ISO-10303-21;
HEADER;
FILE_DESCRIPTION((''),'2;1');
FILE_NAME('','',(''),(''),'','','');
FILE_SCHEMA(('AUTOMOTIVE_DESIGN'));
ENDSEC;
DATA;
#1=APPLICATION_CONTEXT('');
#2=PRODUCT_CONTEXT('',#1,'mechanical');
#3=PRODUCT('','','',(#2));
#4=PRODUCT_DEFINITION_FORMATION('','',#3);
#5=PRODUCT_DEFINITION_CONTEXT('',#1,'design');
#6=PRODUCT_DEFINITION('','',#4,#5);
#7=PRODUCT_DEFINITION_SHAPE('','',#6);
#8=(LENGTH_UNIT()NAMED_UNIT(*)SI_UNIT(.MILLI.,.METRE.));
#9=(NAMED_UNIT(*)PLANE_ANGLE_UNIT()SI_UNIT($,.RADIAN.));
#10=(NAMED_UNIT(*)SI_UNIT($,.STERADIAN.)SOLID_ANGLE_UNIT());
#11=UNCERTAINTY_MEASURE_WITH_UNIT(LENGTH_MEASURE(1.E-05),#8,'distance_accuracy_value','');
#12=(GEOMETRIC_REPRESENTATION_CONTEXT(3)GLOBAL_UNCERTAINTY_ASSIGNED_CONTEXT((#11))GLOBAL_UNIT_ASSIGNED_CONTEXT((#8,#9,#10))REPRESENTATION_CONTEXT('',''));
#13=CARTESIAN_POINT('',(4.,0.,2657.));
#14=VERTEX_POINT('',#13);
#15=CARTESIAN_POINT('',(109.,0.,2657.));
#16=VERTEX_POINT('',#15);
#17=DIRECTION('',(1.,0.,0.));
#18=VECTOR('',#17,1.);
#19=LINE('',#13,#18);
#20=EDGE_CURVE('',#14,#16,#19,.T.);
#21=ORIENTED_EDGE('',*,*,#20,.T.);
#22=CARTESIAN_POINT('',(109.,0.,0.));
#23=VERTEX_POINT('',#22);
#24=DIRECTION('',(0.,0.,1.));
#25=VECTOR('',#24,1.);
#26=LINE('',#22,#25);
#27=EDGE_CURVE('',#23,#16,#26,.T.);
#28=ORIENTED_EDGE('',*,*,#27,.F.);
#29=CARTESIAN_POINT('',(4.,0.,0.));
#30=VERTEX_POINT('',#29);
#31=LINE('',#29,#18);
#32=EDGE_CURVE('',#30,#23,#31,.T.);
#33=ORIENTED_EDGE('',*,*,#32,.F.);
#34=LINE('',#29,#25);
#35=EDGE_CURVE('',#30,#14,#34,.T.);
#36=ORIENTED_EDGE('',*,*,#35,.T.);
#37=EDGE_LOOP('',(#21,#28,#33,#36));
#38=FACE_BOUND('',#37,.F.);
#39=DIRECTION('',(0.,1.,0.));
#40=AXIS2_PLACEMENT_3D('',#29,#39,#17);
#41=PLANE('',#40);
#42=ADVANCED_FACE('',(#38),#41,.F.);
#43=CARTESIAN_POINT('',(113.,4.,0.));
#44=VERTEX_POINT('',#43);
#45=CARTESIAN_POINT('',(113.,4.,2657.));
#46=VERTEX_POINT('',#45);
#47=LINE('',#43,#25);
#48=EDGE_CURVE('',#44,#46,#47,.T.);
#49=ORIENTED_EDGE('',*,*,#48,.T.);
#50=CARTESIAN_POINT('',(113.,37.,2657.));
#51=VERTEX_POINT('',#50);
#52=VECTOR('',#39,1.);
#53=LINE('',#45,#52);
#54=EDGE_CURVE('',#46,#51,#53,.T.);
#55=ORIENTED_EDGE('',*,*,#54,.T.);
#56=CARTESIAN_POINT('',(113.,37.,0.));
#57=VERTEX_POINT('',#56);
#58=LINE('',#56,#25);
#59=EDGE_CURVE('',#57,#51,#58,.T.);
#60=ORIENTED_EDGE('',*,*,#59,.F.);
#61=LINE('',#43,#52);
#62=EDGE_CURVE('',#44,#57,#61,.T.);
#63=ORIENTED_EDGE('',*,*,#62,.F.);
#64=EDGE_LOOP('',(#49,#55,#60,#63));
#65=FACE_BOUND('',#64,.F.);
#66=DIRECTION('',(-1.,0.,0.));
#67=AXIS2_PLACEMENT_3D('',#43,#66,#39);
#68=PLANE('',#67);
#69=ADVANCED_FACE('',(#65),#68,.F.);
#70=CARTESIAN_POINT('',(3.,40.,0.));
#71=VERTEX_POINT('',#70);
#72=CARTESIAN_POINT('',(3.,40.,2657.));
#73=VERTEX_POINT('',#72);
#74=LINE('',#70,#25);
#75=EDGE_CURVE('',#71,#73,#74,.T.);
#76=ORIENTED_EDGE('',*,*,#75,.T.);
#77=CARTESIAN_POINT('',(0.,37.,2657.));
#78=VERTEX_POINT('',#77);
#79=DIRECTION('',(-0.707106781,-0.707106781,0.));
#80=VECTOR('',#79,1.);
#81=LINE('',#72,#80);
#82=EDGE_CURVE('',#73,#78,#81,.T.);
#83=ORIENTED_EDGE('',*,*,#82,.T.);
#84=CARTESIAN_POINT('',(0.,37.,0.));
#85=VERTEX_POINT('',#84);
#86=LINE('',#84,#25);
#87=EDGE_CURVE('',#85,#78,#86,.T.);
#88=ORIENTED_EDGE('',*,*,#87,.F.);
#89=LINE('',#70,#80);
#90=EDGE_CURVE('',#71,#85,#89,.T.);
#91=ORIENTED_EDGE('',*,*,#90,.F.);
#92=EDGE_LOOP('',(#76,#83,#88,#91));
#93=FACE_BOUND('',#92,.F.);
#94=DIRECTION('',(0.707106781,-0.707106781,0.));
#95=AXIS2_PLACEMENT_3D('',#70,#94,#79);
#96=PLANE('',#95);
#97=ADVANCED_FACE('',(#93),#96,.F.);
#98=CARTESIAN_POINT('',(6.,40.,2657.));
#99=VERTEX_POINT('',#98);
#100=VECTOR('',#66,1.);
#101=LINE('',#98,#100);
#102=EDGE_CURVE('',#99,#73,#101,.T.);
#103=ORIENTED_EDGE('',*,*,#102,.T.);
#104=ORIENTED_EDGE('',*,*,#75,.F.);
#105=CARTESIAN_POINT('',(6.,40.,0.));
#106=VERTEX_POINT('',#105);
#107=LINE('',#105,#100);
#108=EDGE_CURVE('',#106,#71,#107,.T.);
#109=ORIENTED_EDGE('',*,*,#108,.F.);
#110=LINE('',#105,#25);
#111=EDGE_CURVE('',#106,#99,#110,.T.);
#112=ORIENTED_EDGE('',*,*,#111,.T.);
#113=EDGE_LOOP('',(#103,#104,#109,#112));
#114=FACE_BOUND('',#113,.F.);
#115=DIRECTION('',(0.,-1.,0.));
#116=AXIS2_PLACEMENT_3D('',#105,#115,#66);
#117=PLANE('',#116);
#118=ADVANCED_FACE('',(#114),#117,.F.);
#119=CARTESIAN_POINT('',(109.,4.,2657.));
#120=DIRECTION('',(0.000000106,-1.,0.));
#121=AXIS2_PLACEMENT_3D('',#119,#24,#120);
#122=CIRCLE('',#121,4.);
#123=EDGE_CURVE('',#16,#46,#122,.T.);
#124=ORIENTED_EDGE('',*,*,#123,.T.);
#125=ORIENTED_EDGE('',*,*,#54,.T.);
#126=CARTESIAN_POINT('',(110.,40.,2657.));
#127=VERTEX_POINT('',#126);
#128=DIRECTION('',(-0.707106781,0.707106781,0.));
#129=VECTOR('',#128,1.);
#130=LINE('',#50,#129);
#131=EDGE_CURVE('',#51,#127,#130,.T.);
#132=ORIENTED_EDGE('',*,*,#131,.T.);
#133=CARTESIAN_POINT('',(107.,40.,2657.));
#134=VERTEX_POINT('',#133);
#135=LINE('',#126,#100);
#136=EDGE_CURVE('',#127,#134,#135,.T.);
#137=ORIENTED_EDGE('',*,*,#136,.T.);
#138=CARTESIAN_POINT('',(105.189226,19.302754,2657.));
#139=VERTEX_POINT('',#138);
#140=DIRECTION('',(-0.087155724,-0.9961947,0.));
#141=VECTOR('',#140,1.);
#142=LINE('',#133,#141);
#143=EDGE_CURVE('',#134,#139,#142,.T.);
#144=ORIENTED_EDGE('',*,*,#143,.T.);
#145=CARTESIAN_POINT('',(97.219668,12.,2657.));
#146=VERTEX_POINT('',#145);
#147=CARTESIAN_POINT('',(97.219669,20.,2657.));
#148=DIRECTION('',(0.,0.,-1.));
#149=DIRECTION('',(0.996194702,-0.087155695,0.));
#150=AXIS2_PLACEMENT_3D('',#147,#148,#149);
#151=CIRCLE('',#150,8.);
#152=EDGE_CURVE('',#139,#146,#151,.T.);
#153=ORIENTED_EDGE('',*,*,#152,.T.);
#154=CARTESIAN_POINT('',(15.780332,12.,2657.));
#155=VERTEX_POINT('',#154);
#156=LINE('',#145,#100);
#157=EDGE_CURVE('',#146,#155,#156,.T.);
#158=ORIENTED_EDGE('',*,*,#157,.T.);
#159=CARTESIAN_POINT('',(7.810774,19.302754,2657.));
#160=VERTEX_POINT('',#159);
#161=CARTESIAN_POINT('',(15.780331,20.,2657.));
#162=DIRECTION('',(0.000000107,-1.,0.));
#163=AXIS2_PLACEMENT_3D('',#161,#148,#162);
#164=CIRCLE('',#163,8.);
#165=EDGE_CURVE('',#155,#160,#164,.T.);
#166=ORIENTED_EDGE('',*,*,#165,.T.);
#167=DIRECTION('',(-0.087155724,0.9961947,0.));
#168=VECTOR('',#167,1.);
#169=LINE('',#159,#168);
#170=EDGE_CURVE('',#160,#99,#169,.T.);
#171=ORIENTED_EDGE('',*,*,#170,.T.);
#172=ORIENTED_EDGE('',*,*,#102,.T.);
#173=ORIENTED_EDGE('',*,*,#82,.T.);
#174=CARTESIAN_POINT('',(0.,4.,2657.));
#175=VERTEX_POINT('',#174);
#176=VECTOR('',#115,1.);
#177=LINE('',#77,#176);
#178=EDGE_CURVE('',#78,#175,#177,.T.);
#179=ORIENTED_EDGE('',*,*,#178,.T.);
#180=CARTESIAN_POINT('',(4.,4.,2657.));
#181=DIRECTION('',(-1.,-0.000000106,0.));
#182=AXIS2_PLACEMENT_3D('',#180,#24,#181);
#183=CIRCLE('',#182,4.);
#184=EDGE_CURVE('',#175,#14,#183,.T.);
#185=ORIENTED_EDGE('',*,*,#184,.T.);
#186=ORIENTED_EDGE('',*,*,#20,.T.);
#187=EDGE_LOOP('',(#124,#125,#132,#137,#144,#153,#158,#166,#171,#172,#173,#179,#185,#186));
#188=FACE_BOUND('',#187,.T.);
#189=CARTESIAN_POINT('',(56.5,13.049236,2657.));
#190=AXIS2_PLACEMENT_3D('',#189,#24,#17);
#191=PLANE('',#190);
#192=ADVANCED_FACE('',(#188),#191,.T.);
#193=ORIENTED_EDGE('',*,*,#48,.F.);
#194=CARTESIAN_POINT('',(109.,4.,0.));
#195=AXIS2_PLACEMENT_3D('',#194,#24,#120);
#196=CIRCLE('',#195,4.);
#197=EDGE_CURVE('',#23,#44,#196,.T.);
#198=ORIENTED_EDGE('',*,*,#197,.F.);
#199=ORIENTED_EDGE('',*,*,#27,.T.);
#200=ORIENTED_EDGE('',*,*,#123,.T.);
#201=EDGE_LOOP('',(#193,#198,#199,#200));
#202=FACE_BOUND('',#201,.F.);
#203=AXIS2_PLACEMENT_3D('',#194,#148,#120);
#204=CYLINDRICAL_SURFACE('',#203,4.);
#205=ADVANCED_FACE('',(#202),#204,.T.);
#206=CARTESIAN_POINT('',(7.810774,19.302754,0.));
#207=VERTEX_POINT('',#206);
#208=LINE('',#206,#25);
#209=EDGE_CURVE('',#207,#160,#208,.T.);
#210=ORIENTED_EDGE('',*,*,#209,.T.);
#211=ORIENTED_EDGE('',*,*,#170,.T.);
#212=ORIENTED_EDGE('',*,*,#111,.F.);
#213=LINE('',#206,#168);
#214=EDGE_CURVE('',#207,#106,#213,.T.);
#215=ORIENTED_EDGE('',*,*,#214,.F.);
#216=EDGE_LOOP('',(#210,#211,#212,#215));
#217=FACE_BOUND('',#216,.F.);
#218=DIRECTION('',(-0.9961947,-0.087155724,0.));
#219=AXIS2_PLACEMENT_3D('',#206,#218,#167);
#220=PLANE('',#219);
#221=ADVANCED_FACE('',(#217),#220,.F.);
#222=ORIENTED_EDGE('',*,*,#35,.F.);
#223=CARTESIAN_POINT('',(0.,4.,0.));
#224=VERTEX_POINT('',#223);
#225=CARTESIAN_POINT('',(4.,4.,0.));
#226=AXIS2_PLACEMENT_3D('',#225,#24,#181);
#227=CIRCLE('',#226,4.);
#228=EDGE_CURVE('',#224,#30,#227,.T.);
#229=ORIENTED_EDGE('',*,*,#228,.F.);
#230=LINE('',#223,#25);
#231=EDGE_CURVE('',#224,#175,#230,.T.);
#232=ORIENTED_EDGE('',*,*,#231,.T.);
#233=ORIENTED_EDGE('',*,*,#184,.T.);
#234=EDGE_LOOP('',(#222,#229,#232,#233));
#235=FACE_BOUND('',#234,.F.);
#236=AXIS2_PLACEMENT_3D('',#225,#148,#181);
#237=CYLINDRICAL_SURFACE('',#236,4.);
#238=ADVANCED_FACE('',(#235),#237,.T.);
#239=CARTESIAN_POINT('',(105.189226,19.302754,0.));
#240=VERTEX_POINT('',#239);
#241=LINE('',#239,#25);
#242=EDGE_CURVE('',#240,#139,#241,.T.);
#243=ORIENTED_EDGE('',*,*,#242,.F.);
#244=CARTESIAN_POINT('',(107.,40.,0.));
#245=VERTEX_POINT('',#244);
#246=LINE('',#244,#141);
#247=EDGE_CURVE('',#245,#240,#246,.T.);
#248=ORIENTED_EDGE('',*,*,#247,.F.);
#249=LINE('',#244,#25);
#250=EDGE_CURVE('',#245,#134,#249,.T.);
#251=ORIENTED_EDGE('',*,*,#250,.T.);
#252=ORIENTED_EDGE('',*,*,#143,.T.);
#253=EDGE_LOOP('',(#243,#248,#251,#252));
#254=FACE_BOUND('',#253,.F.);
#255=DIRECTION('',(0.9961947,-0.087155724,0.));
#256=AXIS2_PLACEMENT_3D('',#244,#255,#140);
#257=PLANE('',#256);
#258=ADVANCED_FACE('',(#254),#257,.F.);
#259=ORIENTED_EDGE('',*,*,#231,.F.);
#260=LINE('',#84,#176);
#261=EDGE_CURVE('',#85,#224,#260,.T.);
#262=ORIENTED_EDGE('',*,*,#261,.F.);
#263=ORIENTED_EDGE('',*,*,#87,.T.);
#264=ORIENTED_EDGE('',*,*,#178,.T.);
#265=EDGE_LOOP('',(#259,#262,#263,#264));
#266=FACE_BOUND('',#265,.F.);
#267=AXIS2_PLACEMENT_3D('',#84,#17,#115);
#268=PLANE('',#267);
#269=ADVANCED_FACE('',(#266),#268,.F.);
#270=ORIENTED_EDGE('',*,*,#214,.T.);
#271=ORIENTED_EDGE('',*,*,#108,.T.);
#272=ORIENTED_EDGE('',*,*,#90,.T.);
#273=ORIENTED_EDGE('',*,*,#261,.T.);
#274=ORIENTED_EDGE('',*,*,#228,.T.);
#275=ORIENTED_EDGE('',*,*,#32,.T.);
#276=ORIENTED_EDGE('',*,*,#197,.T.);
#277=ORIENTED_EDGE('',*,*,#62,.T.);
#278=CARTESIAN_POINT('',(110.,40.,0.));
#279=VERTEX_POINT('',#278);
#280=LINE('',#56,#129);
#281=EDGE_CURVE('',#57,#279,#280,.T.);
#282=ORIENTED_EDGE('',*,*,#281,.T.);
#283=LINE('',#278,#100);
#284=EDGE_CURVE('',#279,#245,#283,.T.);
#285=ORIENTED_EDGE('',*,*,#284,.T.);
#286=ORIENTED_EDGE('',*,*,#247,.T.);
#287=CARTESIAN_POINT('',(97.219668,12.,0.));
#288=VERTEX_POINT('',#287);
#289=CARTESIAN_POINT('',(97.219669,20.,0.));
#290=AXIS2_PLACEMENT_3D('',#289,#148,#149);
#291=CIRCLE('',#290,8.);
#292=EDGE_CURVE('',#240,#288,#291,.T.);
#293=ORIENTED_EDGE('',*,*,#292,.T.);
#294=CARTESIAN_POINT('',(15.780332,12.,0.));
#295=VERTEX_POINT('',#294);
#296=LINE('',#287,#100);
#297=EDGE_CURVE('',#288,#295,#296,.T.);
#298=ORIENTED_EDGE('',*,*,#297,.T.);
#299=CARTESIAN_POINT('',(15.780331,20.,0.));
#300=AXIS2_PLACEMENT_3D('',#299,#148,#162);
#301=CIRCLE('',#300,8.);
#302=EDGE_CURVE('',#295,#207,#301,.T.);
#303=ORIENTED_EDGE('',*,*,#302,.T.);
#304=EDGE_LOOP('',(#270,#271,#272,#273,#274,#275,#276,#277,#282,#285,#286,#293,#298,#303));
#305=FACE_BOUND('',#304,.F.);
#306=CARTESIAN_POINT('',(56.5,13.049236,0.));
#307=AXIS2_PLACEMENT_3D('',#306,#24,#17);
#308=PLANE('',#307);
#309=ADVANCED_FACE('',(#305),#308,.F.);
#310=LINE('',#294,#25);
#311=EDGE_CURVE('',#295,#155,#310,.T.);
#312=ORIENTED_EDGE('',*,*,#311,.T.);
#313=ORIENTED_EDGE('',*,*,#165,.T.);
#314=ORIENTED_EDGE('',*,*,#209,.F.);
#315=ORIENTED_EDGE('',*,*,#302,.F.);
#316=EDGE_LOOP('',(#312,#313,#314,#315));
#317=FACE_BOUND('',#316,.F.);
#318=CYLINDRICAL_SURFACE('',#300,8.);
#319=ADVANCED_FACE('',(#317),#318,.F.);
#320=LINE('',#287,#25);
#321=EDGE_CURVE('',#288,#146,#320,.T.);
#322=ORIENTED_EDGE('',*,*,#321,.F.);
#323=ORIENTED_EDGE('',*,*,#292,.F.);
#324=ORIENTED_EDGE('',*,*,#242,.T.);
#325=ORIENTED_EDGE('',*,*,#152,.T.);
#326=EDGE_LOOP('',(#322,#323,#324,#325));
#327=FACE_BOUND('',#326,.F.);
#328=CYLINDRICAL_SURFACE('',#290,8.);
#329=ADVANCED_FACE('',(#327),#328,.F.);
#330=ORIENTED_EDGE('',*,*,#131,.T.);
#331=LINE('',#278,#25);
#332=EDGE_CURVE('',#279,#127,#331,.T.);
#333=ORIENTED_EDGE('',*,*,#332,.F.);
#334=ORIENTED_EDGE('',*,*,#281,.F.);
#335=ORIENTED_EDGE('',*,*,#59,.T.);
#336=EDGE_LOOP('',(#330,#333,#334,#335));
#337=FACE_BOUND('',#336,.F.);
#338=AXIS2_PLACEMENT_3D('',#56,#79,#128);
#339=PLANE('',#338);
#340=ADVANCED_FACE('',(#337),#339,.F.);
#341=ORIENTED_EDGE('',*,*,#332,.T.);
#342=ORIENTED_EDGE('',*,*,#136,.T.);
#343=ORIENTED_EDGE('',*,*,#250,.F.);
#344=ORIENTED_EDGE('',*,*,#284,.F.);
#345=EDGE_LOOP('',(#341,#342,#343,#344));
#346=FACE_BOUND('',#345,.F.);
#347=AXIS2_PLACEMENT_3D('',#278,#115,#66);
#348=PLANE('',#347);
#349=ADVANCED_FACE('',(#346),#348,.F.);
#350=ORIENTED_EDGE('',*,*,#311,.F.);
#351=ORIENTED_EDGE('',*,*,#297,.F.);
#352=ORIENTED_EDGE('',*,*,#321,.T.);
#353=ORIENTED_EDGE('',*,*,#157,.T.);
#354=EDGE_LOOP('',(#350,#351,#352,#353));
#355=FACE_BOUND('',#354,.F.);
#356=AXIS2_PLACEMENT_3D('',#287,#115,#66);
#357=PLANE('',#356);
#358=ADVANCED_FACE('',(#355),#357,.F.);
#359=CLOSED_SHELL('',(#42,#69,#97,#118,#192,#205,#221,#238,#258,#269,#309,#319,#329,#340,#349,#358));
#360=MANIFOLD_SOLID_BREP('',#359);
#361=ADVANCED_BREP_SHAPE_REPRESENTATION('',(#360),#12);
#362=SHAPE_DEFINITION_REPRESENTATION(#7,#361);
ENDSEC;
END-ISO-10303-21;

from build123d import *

# Parameters (mm, degrees)
F1_DEPTH = 2657


with BuildPart() as f1:
    # F0 (on Top) → F1 (new body)
    with BuildSketch(Plane.XY):
        with BuildLine():
            Line((3, 40), (0, 37))
            Line((0, 37), (0, 4))
            ThreePointArc((0, 4), (1.171573, 1.171573), (4, 0))
            Line((4, 0), (109, 0))
            ThreePointArc((109, 0), (111.828427, 1.171573), (113, 4))
            Line((113, 4), (113, 37))
            Line((113, 37), (110, 40))
            Line((110, 40), (107, 40))
            Line((107, 40), (105.189226, 19.302754))
            ThreePointArc((105.189226, 19.302754), (102.62439, 14.101781), (97.219668, 12))
            Line((97.219668, 12), (56.5, 12))
            Line((56.5, 12), (15.780332, 12))
            ThreePointArc((15.780332, 12), (10.37561, 14.101781), (7.810774, 19.302754))
            Line((7.810774, 19.302754), (6, 40))
            Line((6, 40), (3, 40))
        make_face()
    extrude(amount=F1_DEPTH)


solid = f1.part
